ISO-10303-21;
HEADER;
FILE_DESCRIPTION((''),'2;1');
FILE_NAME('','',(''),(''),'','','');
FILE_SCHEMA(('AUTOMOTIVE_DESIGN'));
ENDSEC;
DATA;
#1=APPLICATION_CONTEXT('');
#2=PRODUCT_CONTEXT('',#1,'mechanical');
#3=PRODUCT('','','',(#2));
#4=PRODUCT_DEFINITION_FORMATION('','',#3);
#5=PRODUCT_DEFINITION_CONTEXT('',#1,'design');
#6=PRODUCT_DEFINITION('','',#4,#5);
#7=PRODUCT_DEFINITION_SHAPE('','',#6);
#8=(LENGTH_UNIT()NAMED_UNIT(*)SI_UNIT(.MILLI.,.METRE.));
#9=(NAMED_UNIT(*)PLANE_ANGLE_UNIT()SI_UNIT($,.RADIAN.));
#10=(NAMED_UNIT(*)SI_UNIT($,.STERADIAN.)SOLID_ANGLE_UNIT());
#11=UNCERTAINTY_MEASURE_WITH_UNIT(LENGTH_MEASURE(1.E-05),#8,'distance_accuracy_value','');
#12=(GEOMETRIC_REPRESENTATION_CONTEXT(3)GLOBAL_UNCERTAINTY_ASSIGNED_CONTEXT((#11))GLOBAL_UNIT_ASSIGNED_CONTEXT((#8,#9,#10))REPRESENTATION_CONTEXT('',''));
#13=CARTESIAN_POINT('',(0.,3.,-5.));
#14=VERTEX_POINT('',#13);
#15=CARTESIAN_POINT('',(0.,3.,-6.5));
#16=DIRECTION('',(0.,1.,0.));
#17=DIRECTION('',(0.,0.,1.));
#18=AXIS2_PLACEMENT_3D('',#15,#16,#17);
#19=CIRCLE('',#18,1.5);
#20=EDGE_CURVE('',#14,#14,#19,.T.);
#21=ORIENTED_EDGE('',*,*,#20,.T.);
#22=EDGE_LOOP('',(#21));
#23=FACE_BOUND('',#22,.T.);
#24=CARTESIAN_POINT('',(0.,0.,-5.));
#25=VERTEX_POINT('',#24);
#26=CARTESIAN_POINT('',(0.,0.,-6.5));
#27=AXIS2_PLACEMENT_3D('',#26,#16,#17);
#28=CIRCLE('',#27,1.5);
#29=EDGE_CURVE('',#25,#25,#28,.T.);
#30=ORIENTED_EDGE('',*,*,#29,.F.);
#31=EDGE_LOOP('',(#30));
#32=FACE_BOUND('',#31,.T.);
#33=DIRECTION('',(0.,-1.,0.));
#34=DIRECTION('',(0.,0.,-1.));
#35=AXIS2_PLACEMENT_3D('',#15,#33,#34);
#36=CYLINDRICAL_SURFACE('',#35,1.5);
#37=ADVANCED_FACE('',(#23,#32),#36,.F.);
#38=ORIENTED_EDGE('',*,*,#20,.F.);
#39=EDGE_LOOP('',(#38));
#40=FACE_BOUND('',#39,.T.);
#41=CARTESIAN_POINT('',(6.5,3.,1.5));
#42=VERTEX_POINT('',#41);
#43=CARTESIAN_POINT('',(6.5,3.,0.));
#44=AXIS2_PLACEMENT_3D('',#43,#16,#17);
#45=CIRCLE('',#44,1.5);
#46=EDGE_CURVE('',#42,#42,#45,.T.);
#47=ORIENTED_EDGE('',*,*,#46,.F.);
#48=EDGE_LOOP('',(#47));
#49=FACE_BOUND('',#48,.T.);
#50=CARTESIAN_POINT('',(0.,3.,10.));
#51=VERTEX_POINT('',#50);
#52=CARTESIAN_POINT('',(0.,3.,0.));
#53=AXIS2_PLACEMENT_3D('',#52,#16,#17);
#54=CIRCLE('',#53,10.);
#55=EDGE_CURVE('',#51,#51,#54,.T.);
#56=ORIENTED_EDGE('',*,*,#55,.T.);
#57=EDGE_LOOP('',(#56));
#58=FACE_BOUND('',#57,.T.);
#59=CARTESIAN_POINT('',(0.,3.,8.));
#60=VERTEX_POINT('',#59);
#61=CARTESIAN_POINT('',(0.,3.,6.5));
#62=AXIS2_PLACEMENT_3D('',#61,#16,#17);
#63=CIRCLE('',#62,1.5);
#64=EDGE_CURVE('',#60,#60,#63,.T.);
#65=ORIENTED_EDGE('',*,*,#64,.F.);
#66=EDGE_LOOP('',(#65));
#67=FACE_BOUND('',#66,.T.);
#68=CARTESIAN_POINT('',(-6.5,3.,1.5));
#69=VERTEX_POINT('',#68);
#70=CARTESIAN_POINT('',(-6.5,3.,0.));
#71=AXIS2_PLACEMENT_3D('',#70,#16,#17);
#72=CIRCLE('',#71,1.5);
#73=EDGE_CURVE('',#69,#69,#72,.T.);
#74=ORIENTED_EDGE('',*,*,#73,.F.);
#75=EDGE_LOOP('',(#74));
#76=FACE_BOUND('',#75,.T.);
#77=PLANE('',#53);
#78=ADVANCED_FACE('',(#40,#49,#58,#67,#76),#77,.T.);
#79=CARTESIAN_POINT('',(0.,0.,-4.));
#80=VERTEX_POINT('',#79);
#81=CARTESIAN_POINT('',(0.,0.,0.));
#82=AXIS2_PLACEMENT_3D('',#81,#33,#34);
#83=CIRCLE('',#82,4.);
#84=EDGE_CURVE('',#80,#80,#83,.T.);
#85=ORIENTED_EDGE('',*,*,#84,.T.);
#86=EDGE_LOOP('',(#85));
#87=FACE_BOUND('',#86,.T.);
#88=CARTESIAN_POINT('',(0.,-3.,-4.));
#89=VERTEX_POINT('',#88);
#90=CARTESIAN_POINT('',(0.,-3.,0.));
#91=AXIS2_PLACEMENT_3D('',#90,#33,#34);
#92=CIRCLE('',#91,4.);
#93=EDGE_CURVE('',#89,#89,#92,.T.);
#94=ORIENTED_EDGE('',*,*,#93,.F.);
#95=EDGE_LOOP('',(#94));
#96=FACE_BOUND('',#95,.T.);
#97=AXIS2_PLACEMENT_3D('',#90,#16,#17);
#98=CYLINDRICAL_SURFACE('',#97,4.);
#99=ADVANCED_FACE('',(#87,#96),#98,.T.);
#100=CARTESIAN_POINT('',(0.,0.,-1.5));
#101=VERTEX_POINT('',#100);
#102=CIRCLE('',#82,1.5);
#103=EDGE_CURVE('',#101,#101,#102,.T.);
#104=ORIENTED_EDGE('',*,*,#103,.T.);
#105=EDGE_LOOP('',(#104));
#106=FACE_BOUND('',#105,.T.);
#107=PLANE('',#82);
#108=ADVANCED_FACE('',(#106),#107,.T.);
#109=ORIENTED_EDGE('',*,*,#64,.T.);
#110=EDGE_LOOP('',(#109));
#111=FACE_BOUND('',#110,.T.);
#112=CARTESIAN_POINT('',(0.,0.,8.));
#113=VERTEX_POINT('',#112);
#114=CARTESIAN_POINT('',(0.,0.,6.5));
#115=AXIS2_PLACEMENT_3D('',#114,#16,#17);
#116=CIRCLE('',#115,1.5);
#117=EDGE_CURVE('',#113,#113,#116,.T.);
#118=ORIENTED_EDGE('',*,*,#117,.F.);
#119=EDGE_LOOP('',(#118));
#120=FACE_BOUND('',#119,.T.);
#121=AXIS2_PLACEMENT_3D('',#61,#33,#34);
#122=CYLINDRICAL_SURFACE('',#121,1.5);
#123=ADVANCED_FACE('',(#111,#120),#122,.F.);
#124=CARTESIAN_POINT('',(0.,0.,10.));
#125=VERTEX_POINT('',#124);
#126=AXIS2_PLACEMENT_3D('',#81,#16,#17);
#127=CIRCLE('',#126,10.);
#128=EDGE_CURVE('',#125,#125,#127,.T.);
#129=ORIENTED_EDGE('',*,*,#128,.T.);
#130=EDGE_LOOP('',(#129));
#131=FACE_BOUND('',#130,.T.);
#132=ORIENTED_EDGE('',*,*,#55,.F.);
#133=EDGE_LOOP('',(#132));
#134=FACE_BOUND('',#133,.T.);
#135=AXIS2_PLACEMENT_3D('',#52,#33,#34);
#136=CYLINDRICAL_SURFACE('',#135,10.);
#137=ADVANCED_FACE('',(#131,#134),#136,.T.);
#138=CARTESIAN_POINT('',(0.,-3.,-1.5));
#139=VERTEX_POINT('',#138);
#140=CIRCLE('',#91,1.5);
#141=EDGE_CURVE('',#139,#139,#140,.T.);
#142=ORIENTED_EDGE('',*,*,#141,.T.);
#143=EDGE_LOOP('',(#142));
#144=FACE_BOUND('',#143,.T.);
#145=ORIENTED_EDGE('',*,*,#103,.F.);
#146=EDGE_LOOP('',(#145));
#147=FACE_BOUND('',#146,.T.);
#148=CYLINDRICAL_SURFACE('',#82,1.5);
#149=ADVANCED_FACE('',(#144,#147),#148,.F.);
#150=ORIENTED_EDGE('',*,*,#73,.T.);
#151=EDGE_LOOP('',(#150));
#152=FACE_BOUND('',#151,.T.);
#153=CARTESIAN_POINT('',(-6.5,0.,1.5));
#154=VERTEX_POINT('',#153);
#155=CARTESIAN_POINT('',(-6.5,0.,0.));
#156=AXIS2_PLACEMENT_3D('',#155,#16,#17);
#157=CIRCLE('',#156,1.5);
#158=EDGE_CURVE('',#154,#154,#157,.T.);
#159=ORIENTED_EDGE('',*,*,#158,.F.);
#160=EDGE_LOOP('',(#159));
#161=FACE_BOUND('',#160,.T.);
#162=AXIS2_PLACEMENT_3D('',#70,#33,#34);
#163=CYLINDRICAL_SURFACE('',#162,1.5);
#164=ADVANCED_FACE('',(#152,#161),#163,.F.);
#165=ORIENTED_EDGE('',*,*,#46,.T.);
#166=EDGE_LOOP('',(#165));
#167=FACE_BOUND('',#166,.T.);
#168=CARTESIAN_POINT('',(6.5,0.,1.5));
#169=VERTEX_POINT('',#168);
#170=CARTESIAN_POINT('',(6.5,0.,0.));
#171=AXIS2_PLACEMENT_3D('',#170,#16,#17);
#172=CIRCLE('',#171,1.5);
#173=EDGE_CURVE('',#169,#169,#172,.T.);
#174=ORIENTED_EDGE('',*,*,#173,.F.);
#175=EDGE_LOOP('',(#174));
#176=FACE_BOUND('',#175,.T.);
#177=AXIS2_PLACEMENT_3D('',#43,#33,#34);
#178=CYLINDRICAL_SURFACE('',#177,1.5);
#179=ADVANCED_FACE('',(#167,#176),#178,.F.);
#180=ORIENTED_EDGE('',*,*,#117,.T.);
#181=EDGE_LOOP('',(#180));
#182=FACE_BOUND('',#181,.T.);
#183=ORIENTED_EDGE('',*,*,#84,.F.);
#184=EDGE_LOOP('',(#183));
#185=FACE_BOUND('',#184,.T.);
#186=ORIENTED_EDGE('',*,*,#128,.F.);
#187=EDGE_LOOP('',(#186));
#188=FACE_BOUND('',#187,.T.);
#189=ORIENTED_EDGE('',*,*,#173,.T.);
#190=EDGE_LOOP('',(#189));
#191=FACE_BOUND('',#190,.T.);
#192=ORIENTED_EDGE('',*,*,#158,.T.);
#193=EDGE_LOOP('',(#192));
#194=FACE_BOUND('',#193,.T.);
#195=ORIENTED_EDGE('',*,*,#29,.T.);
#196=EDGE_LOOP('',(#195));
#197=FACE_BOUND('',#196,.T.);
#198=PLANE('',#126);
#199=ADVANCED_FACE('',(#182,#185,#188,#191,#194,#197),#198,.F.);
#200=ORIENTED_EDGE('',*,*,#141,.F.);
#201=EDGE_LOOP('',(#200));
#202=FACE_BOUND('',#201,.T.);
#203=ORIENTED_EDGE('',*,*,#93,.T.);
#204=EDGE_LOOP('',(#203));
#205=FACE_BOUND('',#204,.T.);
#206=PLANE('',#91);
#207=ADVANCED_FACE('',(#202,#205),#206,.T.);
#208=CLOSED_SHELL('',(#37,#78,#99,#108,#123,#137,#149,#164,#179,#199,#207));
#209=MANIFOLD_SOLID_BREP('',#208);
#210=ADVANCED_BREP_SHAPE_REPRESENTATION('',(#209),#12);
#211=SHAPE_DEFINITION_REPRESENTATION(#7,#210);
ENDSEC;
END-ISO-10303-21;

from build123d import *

# Parameters (mm, degrees)
SKETCH2_R           = 10
SKETCH2_R_2         = 1.5
BOSS_EXTRUDE1_DEPTH = 3
SKETCH3_R           = 4
BOSS_EXTRUDE2_DEPTH = 3
SKETCH4_R           = 1.5
CUT_EXTRUDE1_DEPTH  = 3


with BuildPart() as part:
    # Sketch2 → Boss-Extrude1 (new body)
    with BuildSketch(Plane(origin=(0, 0, 0), x_dir=(1, 0, 0), z_dir=(0, 1, 0))):
        Circle(SKETCH2_R)
        with Locations((0, -6.5)):
            Circle(SKETCH2_R_2, mode=Mode.SUBTRACT)
        with Locations((-6.5, 0)):
            Circle(SKETCH2_R_2, mode=Mode.SUBTRACT)
        with Locations((0, 6.5)):
            Circle(SKETCH2_R_2, mode=Mode.SUBTRACT)
        with Locations((6.5, 0)):
            Circle(SKETCH2_R_2, mode=Mode.SUBTRACT)
    extrude(amount=BOSS_EXTRUDE1_DEPTH)

    # Sketch3 → Boss-Extrude2 (add)
    with BuildSketch(Plane(origin=(0, 0, 0), x_dir=(-1, 0, 0), z_dir=(0, -1, 0))):
        Circle(SKETCH3_R)
    extrude(amount=BOSS_EXTRUDE2_DEPTH)

    # Sketch4 → Cut-Extrude1 (cut)
    with BuildSketch(Plane.XZ.offset(3)):
        Circle(SKETCH4_R)
    extrude(amount=-CUT_EXTRUDE1_DEPTH, mode=Mode.SUBTRACT)


solid = part.part
